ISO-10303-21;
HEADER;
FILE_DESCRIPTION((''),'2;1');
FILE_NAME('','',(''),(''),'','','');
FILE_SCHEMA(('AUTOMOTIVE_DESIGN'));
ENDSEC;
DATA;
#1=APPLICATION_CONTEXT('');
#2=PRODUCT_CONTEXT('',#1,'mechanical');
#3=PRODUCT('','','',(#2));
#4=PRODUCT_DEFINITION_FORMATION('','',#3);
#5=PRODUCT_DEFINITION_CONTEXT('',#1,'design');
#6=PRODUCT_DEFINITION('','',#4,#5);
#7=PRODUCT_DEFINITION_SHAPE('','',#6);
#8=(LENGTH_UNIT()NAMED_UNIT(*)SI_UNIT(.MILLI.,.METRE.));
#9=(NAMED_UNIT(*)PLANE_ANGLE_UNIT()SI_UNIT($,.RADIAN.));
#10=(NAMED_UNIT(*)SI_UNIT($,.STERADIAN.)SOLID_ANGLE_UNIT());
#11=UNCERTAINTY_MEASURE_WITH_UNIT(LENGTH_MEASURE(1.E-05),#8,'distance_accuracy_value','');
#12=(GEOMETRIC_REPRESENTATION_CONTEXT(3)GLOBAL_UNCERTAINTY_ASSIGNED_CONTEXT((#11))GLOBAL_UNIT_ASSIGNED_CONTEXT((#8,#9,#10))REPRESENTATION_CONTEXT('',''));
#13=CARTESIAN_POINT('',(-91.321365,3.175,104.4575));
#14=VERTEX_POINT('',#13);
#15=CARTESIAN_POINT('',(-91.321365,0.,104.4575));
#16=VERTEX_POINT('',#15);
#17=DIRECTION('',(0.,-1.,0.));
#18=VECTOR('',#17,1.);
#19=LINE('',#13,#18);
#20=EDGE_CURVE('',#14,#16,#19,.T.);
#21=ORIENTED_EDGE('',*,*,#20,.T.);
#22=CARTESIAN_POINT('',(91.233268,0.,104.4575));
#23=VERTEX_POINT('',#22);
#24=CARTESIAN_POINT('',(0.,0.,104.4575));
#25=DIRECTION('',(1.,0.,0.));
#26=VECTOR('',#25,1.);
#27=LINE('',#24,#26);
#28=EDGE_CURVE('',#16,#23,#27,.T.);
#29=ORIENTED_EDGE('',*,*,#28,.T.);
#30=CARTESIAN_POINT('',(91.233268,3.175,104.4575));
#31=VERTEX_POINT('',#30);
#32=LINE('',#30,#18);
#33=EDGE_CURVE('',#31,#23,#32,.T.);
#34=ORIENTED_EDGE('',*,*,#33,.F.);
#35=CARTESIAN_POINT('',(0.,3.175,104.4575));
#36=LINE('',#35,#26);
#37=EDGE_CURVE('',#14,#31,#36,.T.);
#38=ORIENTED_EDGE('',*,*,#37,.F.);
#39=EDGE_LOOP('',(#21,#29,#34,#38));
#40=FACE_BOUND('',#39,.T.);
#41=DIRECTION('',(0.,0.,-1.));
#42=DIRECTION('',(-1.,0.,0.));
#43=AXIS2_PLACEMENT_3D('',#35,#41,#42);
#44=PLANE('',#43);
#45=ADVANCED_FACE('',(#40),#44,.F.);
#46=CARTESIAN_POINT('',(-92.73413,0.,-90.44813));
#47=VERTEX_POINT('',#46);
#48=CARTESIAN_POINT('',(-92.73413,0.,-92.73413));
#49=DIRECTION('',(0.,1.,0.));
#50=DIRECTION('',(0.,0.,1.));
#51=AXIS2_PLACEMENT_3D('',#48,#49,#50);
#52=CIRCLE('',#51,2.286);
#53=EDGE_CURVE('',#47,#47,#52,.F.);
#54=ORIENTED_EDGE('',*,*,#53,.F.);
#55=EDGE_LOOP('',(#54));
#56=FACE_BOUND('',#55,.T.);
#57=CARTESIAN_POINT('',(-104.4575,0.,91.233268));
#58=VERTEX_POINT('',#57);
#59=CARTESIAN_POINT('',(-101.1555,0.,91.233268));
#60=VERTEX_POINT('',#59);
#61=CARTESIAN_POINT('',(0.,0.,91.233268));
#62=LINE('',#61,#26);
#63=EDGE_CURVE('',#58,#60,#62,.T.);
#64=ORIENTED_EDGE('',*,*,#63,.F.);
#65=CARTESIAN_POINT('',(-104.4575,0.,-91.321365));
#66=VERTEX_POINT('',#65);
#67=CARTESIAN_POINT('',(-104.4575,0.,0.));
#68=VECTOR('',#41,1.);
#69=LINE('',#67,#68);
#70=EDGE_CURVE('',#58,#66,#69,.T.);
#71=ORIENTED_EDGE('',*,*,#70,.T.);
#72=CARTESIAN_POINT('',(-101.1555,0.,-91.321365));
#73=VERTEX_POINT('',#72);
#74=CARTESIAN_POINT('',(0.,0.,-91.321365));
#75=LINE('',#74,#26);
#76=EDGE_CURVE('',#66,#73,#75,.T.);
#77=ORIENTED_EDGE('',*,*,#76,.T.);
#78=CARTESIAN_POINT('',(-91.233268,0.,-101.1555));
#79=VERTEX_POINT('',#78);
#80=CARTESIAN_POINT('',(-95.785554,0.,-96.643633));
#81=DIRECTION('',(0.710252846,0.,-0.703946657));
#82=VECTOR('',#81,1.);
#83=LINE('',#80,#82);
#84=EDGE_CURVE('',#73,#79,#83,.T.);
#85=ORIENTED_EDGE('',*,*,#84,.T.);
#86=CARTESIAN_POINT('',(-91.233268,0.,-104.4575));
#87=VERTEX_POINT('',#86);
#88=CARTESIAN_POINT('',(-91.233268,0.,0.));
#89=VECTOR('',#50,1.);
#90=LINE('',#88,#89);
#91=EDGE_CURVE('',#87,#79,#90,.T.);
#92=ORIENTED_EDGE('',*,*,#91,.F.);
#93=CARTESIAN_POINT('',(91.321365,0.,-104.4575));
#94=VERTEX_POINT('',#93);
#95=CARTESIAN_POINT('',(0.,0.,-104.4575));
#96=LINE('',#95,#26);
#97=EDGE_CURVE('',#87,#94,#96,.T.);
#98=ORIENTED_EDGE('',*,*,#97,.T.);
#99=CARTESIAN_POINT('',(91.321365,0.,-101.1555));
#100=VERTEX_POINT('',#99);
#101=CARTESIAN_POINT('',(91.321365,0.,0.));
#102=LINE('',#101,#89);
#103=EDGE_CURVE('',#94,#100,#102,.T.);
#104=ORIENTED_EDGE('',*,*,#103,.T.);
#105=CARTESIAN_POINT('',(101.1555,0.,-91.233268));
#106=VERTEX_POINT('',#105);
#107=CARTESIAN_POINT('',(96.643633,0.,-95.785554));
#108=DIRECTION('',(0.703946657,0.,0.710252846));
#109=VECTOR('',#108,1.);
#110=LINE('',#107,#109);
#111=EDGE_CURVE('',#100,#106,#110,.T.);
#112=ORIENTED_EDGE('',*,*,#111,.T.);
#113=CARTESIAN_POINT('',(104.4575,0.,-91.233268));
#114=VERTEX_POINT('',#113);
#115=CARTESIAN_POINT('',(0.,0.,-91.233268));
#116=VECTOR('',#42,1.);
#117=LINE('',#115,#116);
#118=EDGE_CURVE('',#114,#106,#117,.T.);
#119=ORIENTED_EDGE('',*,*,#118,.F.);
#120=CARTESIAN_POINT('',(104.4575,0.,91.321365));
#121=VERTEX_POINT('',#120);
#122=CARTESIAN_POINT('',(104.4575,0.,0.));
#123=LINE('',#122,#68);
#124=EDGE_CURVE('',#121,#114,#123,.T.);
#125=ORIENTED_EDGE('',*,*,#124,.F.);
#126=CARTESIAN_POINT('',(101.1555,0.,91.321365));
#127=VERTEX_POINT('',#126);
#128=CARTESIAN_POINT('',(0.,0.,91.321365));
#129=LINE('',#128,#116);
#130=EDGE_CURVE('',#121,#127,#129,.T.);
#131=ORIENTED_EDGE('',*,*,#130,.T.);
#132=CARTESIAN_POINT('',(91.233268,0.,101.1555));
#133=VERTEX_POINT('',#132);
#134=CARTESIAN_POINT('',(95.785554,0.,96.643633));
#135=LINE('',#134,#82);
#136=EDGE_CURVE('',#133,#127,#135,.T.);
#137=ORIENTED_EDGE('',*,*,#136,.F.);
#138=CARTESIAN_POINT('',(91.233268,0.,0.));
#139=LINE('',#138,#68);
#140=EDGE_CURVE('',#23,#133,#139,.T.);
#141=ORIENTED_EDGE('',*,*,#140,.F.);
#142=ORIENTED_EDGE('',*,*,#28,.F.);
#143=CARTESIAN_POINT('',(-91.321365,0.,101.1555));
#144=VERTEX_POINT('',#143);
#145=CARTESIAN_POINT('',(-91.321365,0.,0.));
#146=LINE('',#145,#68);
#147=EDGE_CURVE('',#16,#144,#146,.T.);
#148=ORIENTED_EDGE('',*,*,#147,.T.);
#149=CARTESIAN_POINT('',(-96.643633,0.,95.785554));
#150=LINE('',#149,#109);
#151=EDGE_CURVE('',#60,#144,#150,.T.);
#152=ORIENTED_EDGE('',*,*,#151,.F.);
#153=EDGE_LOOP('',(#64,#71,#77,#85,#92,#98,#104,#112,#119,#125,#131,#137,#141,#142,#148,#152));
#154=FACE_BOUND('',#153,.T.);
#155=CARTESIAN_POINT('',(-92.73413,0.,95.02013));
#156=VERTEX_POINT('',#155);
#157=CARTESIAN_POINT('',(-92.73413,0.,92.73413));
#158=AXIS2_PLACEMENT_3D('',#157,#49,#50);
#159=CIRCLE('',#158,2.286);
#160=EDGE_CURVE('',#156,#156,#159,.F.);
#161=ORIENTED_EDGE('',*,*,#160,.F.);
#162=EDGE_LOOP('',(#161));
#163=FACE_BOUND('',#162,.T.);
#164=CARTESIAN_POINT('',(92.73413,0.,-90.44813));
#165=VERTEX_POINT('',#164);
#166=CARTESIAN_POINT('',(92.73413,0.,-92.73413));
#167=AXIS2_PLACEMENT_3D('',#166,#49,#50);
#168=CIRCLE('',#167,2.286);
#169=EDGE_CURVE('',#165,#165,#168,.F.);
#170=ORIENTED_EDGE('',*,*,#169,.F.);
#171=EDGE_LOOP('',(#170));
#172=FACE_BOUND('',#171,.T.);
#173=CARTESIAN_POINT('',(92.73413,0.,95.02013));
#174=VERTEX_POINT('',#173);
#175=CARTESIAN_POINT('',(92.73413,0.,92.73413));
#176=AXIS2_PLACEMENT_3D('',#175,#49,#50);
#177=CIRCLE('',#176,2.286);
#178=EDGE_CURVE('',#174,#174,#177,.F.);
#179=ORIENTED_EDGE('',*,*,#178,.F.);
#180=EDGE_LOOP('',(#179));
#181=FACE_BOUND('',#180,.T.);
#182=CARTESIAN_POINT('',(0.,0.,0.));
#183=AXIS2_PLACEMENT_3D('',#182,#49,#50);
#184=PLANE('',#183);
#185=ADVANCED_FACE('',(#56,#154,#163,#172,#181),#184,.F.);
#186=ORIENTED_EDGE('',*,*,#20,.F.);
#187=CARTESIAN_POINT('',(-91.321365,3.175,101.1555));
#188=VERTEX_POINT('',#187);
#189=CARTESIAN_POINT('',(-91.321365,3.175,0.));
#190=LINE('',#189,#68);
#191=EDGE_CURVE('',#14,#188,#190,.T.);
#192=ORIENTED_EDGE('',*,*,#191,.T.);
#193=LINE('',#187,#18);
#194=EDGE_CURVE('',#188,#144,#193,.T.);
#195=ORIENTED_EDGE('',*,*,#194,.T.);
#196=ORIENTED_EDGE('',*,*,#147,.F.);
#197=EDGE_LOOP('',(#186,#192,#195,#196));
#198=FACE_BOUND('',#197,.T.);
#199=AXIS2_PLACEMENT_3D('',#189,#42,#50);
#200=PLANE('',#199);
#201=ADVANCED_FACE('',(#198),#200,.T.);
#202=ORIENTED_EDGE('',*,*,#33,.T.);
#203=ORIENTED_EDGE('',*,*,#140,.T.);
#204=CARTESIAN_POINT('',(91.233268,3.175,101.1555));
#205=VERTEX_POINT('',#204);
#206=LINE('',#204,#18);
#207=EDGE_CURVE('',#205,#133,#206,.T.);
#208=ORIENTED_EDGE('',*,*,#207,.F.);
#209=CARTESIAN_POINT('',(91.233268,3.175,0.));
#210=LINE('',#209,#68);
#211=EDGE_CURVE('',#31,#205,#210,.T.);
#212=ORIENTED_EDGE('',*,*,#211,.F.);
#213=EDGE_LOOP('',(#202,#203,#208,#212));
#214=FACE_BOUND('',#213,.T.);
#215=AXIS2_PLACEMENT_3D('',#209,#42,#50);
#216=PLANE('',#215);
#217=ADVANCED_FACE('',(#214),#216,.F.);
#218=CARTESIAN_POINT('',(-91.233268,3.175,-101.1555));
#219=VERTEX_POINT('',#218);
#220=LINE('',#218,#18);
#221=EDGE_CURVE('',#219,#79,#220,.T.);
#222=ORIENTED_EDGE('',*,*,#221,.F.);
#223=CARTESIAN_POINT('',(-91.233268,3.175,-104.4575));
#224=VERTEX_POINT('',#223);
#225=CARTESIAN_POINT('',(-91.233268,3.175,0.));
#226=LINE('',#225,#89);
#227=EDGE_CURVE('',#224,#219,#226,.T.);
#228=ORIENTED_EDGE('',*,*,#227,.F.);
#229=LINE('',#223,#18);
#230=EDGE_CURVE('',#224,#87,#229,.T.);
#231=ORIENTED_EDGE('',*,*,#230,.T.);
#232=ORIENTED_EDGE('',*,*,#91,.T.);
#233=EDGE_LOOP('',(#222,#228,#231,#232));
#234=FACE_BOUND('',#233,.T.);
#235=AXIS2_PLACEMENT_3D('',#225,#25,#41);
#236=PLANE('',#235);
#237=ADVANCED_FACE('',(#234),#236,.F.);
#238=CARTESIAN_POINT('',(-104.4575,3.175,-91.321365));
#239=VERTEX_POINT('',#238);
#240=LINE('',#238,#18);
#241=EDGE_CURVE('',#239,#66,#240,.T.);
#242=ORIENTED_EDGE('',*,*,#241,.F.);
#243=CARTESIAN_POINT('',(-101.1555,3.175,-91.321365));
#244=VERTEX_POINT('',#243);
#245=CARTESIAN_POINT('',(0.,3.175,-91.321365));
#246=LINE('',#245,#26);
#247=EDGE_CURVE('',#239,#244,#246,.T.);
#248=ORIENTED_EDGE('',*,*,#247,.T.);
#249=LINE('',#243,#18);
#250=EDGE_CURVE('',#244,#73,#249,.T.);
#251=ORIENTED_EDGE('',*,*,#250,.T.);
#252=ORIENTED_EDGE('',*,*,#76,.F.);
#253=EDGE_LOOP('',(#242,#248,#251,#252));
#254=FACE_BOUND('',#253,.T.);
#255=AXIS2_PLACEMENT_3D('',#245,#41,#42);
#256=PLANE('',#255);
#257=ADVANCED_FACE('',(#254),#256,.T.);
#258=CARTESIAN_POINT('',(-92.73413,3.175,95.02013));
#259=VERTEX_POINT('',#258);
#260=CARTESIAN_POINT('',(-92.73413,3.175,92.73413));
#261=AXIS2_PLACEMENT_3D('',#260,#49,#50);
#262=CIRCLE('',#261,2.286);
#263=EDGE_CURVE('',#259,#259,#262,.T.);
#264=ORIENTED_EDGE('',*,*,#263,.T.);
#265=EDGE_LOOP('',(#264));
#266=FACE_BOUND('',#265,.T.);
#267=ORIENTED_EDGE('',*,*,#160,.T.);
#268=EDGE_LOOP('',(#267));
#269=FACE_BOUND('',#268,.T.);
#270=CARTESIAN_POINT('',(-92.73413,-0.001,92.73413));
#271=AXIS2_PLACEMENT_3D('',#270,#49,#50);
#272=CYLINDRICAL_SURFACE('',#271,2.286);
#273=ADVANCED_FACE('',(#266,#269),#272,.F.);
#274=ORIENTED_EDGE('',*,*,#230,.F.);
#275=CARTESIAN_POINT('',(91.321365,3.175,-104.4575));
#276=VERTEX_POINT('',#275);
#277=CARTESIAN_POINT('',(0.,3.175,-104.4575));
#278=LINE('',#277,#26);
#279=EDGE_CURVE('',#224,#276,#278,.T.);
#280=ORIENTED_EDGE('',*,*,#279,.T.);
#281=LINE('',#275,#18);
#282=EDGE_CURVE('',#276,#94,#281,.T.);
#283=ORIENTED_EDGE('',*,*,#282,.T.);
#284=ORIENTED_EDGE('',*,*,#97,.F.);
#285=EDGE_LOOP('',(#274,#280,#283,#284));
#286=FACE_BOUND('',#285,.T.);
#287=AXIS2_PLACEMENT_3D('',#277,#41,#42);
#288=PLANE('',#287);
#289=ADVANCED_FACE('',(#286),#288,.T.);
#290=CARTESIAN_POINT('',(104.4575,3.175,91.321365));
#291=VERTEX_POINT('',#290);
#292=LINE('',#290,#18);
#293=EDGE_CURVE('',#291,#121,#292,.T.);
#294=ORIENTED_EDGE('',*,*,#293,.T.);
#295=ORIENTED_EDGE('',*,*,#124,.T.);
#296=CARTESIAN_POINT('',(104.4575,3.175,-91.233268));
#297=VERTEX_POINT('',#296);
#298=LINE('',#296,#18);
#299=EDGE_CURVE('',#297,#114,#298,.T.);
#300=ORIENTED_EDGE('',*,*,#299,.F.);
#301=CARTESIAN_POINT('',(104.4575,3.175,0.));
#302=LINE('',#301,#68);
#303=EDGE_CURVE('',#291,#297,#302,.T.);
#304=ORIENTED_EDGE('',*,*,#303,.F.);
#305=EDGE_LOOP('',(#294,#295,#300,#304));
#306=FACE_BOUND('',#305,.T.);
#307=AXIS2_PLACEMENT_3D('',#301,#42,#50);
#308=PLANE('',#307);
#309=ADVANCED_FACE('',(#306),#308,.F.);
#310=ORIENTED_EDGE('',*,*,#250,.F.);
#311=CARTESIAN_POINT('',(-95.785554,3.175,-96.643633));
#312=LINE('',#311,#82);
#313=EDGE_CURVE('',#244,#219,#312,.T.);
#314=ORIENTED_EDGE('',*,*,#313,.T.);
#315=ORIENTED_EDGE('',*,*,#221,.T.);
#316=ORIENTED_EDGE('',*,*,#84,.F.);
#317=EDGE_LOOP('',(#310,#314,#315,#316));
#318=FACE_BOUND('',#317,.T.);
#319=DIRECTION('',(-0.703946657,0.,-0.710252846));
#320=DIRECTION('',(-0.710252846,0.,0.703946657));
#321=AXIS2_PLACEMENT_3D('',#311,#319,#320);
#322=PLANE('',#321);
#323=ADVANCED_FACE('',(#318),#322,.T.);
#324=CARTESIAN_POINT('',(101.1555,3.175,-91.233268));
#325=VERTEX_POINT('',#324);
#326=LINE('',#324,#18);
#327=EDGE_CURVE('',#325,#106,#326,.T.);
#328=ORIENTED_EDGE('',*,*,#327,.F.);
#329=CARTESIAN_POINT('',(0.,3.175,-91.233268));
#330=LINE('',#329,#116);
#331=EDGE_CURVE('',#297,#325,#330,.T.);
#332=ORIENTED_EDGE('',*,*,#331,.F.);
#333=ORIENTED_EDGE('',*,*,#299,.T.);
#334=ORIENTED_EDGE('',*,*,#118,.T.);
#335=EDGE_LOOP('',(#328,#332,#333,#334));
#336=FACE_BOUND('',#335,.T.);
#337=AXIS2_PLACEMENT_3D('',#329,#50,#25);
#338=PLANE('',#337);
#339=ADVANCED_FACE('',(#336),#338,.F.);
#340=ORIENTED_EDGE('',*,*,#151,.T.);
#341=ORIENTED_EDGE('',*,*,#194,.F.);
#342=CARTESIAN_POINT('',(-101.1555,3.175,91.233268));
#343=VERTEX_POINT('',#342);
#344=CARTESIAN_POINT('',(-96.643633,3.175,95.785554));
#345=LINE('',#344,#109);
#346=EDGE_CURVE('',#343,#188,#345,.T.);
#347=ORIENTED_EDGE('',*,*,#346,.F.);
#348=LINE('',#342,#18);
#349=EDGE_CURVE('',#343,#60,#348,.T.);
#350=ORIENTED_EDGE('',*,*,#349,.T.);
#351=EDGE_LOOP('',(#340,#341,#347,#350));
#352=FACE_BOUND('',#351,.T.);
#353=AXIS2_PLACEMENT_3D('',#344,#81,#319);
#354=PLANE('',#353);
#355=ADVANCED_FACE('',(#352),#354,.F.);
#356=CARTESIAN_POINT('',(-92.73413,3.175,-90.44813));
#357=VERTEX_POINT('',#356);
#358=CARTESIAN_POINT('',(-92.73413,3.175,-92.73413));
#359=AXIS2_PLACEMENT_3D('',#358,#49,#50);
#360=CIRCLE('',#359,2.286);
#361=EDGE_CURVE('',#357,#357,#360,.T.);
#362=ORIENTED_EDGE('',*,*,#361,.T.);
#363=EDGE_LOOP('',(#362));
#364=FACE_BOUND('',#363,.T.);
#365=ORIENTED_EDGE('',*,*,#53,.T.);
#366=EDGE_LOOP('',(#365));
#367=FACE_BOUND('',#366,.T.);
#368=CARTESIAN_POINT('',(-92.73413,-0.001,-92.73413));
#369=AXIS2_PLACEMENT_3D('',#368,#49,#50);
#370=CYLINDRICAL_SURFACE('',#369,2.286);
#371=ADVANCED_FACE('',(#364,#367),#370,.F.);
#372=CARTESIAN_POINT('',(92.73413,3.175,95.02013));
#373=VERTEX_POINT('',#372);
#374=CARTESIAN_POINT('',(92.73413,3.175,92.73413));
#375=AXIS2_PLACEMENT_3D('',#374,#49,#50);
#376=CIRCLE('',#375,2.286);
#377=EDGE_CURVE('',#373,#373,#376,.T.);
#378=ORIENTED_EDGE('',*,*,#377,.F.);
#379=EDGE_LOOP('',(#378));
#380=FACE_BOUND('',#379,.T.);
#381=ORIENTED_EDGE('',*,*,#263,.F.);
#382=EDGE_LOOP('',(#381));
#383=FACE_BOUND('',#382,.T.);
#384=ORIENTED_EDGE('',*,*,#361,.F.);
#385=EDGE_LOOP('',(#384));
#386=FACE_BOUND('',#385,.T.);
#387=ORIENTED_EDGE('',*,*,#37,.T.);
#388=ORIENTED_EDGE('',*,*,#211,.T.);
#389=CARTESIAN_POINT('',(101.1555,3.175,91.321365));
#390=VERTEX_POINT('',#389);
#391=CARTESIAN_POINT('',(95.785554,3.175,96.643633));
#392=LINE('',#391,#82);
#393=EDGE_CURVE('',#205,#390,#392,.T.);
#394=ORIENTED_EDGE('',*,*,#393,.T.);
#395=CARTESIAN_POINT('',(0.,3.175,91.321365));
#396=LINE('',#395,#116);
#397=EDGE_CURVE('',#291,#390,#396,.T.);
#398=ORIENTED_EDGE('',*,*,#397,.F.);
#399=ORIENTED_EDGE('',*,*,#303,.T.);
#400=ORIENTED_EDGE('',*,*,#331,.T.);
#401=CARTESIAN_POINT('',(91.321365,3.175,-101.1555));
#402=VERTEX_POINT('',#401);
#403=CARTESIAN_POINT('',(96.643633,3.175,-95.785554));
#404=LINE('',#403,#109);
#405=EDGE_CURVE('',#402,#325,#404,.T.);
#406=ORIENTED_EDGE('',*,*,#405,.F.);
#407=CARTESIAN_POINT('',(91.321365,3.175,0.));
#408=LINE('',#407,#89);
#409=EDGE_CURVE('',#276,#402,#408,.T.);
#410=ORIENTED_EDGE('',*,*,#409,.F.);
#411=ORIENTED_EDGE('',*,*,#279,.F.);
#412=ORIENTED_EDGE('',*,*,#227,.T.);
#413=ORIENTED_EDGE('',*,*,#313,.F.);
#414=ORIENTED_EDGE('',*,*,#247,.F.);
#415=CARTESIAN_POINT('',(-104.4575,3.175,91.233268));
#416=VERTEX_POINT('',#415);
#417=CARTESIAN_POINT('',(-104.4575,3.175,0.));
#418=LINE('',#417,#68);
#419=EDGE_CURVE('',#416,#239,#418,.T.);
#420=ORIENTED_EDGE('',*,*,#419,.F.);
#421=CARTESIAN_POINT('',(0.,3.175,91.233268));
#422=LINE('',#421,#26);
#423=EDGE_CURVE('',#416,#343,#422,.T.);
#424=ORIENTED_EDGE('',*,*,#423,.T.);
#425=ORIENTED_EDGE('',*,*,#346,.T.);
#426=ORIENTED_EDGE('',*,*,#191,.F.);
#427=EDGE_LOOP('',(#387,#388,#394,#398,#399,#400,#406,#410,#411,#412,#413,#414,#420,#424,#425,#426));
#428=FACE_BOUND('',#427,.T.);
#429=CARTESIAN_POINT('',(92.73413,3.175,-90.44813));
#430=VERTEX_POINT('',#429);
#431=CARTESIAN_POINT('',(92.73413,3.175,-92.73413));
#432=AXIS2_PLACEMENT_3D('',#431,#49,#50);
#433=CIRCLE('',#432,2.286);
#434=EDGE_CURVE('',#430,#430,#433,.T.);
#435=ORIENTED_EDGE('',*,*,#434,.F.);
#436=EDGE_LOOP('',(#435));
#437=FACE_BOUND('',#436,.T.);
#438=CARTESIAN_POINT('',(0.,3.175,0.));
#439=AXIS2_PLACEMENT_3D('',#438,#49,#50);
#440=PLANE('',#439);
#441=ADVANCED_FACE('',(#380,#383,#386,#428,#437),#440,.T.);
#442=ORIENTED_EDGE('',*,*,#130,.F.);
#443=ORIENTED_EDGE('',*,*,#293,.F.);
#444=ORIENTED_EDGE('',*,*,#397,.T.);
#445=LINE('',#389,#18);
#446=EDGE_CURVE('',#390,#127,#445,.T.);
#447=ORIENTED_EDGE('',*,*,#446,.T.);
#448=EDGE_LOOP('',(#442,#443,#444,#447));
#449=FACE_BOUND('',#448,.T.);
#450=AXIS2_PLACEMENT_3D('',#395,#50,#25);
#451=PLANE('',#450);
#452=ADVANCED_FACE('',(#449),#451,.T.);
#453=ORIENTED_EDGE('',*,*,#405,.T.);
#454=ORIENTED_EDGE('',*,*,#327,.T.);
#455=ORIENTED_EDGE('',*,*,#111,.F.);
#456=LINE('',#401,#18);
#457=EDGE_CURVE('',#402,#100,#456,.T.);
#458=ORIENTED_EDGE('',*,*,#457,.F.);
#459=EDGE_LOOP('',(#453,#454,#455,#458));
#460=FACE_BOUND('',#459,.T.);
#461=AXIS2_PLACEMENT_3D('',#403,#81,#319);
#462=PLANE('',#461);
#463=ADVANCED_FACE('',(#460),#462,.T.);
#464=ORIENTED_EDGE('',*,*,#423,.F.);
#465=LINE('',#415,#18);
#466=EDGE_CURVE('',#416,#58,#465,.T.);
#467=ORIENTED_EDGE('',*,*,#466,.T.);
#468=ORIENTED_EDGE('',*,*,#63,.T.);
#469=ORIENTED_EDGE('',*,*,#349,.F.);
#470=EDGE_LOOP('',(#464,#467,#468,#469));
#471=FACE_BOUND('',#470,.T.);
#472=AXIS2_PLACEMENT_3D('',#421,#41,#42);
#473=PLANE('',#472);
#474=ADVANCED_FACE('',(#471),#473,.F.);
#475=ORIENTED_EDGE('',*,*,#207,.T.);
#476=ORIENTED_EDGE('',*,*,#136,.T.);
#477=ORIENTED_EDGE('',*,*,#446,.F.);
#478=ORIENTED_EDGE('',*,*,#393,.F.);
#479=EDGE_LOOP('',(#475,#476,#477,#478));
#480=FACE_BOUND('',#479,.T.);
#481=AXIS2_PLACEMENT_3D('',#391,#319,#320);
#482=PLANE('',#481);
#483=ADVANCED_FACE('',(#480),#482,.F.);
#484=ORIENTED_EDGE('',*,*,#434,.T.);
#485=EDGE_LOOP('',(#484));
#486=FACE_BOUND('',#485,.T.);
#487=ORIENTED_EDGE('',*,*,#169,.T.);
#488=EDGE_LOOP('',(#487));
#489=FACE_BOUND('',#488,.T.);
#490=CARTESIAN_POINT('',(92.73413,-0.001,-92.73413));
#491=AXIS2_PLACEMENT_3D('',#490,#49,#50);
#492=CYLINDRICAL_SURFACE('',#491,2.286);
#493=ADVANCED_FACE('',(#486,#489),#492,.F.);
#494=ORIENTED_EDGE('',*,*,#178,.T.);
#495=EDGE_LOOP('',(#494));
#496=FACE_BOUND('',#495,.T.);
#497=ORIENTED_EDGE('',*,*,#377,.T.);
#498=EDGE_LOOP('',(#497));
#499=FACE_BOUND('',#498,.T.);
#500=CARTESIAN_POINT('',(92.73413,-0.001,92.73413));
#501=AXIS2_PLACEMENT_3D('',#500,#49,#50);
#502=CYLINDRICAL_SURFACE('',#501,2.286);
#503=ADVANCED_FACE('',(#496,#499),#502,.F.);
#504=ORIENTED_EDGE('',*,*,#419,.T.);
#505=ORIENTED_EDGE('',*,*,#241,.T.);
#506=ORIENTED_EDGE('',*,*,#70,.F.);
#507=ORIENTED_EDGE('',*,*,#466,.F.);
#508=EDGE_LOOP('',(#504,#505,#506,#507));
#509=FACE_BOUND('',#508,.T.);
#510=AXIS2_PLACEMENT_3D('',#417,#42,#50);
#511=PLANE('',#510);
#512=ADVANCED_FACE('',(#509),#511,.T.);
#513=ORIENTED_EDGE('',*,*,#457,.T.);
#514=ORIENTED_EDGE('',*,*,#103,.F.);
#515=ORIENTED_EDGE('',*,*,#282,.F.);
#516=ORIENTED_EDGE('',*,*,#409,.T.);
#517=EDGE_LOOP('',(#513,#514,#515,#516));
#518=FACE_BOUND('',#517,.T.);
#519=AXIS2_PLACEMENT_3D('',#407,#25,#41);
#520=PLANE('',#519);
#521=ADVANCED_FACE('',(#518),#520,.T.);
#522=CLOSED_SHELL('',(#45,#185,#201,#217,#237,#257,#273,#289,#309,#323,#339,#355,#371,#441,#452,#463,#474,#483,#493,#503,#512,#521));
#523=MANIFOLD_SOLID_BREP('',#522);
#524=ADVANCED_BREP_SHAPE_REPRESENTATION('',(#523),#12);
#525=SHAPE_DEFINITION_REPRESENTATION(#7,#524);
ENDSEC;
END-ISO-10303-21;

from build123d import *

# Parameters (mm, degrees)
BOSS_EXTRUDE1_DEPTH = 3.175
CUT_EXTRUDE1_REACH  = 5.175
SKETCH3_R           = 2.286


with BuildPart() as part:
    # Sketch1 → Boss-Extrude1 (new body)
    with BuildSketch(Plane(origin=(0, 0, 0), x_dir=(1, 0, 0), z_dir=(0, 1, 0))):
        Polygon((-91.233267746, 104.4575), (-91.233267746, 101.1555), (-101.1555, 91.321365209), (-104.4575, 91.321365209), (-104.4575, -91.233267746), (-101.1555, -91.233267746), (-91.321365209, -101.1555), (-91.321365209, -104.4575), (91.233267746, -104.4575), (91.233267746, -101.1555), (101.1555, -91.321365209), (104.4575, -91.321365209), (104.4575, 91.233267746), (101.1555, 91.233267746), (91.321365209, 101.1555), (91.321365209, 104.4575), align=None)
    extrude(amount=BOSS_EXTRUDE1_DEPTH)

    # Sketch3 → Cut-Extrude1 (cut, up to next)
    with BuildSketch(Plane(origin=(0, 3.175, 0), x_dir=(1, 0, 0), z_dir=(0, 1, 0)), mode=Mode.PRIVATE) as cut_extrude1_sk1:
        with Locations((-92.73413, 92.73413)):
            Circle(SKETCH3_R)
    cut_extrude1_tool1 = extrude(cut_extrude1_sk1.sketch, amount=-CUT_EXTRUDE1_REACH, mode=Mode.PRIVATE) & part.part
    add(cut_extrude1_tool1.solids().sort_by_distance((-92.73413, 3.175, -92.73413))[0], mode=Mode.SUBTRACT)
    # Sketch3 → Cut-Extrude1 (cut, up to next)
    with BuildSketch(Plane(origin=(0, 3.175, 0), x_dir=(1, 0, 0), z_dir=(0, 1, 0)), mode=Mode.PRIVATE) as cut_extrude1_sk2:
        with Locations((92.73413, 92.73413)):
            Circle(SKETCH3_R)
    cut_extrude1_tool2 = extrude(cut_extrude1_sk2.sketch, amount=-CUT_EXTRUDE1_REACH, mode=Mode.PRIVATE) & part.part
    add(cut_extrude1_tool2.solids().sort_by_distance((92.73413, 3.175, -92.73413))[0], mode=Mode.SUBTRACT)
    # Sketch3 → Cut-Extrude1 (cut, up to next)
    with BuildSketch(Plane(origin=(0, 3.175, 0), x_dir=(1, 0, 0), z_dir=(0, 1, 0)), mode=Mode.PRIVATE) as cut_extrude1_sk3:
        with Locations((92.73413, -92.73413)):
            Circle(SKETCH3_R)
    cut_extrude1_tool3 = extrude(cut_extrude1_sk3.sketch, amount=-CUT_EXTRUDE1_REACH, mode=Mode.PRIVATE) & part.part
    add(cut_extrude1_tool3.solids().sort_by_distance((92.73413, 3.175, 92.73413))[0], mode=Mode.SUBTRACT)
    # Sketch3 → Cut-Extrude1 (cut, up to next)
    with BuildSketch(Plane(origin=(0, 3.175, 0), x_dir=(1, 0, 0), z_dir=(0, 1, 0)), mode=Mode.PRIVATE) as cut_extrude1_sk4:
        with Locations((-92.73413, -92.73413)):
            Circle(SKETCH3_R)
    cut_extrude1_tool4 = extrude(cut_extrude1_sk4.sketch, amount=-CUT_EXTRUDE1_REACH, mode=Mode.PRIVATE) & part.part
    add(cut_extrude1_tool4.solids().sort_by_distance((-92.73413, 3.175, 92.73413))[0], mode=Mode.SUBTRACT)


solid = part.part
